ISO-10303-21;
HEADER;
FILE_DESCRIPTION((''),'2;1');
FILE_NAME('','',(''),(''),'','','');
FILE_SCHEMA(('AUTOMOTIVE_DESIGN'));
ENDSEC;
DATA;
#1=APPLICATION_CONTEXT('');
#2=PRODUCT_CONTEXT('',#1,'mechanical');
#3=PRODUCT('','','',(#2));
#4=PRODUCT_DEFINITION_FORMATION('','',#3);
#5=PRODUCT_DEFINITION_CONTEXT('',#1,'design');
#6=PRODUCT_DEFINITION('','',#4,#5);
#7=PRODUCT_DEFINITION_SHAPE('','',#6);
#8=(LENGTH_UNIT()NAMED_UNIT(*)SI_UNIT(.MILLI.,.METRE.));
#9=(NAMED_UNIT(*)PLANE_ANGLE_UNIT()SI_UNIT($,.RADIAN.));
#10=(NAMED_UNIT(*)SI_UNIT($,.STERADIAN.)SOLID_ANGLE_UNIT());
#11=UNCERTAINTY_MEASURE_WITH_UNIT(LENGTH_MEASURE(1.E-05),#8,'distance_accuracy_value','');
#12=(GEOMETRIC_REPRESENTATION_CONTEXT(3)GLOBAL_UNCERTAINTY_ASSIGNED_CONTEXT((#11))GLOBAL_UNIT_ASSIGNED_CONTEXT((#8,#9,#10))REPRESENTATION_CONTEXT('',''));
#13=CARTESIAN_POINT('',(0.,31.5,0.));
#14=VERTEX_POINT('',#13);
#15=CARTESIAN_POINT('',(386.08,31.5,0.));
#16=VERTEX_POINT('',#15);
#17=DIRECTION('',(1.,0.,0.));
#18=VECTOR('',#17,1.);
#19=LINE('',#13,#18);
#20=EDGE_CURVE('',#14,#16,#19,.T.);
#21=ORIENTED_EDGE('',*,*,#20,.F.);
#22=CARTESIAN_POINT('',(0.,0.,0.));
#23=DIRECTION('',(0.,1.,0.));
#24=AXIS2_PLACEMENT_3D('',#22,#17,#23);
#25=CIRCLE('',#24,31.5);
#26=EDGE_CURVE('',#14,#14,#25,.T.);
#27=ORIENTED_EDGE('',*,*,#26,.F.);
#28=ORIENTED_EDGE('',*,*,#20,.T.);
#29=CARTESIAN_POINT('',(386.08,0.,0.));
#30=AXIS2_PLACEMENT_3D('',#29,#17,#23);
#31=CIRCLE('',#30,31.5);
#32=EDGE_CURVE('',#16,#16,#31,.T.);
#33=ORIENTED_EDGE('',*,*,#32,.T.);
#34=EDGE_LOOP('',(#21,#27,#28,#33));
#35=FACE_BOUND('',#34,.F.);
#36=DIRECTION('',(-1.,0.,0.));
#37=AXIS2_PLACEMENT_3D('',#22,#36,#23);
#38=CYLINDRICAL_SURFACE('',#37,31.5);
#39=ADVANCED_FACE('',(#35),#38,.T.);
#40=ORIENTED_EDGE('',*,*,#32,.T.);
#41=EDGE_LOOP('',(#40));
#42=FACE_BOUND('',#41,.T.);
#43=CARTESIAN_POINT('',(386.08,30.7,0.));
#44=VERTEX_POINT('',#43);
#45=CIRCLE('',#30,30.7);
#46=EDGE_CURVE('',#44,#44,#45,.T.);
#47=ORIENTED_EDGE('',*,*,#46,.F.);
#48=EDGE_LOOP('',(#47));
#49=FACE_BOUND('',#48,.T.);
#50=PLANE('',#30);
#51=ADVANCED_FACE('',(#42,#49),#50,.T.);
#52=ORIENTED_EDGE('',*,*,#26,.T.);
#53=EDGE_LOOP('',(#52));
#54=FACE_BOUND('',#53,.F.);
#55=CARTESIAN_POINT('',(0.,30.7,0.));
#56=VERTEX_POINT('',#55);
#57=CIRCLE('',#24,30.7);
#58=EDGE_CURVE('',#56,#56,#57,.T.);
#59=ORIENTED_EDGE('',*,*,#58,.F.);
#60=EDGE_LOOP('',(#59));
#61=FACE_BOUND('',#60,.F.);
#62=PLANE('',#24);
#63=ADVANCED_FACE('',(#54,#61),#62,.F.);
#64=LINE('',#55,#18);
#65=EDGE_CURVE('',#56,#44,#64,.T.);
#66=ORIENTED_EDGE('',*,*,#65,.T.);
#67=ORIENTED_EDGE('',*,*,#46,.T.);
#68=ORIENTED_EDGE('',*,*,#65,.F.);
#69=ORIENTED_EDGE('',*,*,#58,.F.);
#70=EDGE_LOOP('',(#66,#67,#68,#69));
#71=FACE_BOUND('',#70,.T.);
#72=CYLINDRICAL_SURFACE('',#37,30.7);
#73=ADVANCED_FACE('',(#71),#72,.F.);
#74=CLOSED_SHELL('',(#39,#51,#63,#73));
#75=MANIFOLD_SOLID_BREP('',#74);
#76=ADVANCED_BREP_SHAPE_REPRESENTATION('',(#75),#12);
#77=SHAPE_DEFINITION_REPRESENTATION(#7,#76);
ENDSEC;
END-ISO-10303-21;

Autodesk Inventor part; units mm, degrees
ref_plane "YZ Plane" through (0, 0, 0) normal (1, 0, 0) x (0, 1, 0)
ref_plane "XZ Plane" through (0, 0, 0) normal (0, 1, 0) x (-1, 0, 0)
ref_plane "XY Plane" through (0, 0, 0) normal (0, 0, 1) x (1, 0, 0)
sketch "Sketch1" plane through (0, 0, 0) normal (1, 0, 0) x (0, 1, 0)
  circle A0 centre (0, 0) radius 31.5
  circle A1 centre (0, 0) radius 30.7
  dimension "d0" = 63
  dimension "d1" = 0.8
extrude "Extrusion1" add sketch "Sketch1" along normal blind 386.08
equation "\"d0\" = OD"
equation "\"d1\" = t"
equation "\"d2\" = L"
equation "\"OD\" = 63"
equation "\"t\" = 0.8"
equation "\"L\" = PL"
equation "\"ID\" = 61.4"
equation "\"PL\" = 386.08"
properties part number "ISO 4065 Pipe DN63x0.8xS40 - 342.90000000" material "PVC-Piping"
